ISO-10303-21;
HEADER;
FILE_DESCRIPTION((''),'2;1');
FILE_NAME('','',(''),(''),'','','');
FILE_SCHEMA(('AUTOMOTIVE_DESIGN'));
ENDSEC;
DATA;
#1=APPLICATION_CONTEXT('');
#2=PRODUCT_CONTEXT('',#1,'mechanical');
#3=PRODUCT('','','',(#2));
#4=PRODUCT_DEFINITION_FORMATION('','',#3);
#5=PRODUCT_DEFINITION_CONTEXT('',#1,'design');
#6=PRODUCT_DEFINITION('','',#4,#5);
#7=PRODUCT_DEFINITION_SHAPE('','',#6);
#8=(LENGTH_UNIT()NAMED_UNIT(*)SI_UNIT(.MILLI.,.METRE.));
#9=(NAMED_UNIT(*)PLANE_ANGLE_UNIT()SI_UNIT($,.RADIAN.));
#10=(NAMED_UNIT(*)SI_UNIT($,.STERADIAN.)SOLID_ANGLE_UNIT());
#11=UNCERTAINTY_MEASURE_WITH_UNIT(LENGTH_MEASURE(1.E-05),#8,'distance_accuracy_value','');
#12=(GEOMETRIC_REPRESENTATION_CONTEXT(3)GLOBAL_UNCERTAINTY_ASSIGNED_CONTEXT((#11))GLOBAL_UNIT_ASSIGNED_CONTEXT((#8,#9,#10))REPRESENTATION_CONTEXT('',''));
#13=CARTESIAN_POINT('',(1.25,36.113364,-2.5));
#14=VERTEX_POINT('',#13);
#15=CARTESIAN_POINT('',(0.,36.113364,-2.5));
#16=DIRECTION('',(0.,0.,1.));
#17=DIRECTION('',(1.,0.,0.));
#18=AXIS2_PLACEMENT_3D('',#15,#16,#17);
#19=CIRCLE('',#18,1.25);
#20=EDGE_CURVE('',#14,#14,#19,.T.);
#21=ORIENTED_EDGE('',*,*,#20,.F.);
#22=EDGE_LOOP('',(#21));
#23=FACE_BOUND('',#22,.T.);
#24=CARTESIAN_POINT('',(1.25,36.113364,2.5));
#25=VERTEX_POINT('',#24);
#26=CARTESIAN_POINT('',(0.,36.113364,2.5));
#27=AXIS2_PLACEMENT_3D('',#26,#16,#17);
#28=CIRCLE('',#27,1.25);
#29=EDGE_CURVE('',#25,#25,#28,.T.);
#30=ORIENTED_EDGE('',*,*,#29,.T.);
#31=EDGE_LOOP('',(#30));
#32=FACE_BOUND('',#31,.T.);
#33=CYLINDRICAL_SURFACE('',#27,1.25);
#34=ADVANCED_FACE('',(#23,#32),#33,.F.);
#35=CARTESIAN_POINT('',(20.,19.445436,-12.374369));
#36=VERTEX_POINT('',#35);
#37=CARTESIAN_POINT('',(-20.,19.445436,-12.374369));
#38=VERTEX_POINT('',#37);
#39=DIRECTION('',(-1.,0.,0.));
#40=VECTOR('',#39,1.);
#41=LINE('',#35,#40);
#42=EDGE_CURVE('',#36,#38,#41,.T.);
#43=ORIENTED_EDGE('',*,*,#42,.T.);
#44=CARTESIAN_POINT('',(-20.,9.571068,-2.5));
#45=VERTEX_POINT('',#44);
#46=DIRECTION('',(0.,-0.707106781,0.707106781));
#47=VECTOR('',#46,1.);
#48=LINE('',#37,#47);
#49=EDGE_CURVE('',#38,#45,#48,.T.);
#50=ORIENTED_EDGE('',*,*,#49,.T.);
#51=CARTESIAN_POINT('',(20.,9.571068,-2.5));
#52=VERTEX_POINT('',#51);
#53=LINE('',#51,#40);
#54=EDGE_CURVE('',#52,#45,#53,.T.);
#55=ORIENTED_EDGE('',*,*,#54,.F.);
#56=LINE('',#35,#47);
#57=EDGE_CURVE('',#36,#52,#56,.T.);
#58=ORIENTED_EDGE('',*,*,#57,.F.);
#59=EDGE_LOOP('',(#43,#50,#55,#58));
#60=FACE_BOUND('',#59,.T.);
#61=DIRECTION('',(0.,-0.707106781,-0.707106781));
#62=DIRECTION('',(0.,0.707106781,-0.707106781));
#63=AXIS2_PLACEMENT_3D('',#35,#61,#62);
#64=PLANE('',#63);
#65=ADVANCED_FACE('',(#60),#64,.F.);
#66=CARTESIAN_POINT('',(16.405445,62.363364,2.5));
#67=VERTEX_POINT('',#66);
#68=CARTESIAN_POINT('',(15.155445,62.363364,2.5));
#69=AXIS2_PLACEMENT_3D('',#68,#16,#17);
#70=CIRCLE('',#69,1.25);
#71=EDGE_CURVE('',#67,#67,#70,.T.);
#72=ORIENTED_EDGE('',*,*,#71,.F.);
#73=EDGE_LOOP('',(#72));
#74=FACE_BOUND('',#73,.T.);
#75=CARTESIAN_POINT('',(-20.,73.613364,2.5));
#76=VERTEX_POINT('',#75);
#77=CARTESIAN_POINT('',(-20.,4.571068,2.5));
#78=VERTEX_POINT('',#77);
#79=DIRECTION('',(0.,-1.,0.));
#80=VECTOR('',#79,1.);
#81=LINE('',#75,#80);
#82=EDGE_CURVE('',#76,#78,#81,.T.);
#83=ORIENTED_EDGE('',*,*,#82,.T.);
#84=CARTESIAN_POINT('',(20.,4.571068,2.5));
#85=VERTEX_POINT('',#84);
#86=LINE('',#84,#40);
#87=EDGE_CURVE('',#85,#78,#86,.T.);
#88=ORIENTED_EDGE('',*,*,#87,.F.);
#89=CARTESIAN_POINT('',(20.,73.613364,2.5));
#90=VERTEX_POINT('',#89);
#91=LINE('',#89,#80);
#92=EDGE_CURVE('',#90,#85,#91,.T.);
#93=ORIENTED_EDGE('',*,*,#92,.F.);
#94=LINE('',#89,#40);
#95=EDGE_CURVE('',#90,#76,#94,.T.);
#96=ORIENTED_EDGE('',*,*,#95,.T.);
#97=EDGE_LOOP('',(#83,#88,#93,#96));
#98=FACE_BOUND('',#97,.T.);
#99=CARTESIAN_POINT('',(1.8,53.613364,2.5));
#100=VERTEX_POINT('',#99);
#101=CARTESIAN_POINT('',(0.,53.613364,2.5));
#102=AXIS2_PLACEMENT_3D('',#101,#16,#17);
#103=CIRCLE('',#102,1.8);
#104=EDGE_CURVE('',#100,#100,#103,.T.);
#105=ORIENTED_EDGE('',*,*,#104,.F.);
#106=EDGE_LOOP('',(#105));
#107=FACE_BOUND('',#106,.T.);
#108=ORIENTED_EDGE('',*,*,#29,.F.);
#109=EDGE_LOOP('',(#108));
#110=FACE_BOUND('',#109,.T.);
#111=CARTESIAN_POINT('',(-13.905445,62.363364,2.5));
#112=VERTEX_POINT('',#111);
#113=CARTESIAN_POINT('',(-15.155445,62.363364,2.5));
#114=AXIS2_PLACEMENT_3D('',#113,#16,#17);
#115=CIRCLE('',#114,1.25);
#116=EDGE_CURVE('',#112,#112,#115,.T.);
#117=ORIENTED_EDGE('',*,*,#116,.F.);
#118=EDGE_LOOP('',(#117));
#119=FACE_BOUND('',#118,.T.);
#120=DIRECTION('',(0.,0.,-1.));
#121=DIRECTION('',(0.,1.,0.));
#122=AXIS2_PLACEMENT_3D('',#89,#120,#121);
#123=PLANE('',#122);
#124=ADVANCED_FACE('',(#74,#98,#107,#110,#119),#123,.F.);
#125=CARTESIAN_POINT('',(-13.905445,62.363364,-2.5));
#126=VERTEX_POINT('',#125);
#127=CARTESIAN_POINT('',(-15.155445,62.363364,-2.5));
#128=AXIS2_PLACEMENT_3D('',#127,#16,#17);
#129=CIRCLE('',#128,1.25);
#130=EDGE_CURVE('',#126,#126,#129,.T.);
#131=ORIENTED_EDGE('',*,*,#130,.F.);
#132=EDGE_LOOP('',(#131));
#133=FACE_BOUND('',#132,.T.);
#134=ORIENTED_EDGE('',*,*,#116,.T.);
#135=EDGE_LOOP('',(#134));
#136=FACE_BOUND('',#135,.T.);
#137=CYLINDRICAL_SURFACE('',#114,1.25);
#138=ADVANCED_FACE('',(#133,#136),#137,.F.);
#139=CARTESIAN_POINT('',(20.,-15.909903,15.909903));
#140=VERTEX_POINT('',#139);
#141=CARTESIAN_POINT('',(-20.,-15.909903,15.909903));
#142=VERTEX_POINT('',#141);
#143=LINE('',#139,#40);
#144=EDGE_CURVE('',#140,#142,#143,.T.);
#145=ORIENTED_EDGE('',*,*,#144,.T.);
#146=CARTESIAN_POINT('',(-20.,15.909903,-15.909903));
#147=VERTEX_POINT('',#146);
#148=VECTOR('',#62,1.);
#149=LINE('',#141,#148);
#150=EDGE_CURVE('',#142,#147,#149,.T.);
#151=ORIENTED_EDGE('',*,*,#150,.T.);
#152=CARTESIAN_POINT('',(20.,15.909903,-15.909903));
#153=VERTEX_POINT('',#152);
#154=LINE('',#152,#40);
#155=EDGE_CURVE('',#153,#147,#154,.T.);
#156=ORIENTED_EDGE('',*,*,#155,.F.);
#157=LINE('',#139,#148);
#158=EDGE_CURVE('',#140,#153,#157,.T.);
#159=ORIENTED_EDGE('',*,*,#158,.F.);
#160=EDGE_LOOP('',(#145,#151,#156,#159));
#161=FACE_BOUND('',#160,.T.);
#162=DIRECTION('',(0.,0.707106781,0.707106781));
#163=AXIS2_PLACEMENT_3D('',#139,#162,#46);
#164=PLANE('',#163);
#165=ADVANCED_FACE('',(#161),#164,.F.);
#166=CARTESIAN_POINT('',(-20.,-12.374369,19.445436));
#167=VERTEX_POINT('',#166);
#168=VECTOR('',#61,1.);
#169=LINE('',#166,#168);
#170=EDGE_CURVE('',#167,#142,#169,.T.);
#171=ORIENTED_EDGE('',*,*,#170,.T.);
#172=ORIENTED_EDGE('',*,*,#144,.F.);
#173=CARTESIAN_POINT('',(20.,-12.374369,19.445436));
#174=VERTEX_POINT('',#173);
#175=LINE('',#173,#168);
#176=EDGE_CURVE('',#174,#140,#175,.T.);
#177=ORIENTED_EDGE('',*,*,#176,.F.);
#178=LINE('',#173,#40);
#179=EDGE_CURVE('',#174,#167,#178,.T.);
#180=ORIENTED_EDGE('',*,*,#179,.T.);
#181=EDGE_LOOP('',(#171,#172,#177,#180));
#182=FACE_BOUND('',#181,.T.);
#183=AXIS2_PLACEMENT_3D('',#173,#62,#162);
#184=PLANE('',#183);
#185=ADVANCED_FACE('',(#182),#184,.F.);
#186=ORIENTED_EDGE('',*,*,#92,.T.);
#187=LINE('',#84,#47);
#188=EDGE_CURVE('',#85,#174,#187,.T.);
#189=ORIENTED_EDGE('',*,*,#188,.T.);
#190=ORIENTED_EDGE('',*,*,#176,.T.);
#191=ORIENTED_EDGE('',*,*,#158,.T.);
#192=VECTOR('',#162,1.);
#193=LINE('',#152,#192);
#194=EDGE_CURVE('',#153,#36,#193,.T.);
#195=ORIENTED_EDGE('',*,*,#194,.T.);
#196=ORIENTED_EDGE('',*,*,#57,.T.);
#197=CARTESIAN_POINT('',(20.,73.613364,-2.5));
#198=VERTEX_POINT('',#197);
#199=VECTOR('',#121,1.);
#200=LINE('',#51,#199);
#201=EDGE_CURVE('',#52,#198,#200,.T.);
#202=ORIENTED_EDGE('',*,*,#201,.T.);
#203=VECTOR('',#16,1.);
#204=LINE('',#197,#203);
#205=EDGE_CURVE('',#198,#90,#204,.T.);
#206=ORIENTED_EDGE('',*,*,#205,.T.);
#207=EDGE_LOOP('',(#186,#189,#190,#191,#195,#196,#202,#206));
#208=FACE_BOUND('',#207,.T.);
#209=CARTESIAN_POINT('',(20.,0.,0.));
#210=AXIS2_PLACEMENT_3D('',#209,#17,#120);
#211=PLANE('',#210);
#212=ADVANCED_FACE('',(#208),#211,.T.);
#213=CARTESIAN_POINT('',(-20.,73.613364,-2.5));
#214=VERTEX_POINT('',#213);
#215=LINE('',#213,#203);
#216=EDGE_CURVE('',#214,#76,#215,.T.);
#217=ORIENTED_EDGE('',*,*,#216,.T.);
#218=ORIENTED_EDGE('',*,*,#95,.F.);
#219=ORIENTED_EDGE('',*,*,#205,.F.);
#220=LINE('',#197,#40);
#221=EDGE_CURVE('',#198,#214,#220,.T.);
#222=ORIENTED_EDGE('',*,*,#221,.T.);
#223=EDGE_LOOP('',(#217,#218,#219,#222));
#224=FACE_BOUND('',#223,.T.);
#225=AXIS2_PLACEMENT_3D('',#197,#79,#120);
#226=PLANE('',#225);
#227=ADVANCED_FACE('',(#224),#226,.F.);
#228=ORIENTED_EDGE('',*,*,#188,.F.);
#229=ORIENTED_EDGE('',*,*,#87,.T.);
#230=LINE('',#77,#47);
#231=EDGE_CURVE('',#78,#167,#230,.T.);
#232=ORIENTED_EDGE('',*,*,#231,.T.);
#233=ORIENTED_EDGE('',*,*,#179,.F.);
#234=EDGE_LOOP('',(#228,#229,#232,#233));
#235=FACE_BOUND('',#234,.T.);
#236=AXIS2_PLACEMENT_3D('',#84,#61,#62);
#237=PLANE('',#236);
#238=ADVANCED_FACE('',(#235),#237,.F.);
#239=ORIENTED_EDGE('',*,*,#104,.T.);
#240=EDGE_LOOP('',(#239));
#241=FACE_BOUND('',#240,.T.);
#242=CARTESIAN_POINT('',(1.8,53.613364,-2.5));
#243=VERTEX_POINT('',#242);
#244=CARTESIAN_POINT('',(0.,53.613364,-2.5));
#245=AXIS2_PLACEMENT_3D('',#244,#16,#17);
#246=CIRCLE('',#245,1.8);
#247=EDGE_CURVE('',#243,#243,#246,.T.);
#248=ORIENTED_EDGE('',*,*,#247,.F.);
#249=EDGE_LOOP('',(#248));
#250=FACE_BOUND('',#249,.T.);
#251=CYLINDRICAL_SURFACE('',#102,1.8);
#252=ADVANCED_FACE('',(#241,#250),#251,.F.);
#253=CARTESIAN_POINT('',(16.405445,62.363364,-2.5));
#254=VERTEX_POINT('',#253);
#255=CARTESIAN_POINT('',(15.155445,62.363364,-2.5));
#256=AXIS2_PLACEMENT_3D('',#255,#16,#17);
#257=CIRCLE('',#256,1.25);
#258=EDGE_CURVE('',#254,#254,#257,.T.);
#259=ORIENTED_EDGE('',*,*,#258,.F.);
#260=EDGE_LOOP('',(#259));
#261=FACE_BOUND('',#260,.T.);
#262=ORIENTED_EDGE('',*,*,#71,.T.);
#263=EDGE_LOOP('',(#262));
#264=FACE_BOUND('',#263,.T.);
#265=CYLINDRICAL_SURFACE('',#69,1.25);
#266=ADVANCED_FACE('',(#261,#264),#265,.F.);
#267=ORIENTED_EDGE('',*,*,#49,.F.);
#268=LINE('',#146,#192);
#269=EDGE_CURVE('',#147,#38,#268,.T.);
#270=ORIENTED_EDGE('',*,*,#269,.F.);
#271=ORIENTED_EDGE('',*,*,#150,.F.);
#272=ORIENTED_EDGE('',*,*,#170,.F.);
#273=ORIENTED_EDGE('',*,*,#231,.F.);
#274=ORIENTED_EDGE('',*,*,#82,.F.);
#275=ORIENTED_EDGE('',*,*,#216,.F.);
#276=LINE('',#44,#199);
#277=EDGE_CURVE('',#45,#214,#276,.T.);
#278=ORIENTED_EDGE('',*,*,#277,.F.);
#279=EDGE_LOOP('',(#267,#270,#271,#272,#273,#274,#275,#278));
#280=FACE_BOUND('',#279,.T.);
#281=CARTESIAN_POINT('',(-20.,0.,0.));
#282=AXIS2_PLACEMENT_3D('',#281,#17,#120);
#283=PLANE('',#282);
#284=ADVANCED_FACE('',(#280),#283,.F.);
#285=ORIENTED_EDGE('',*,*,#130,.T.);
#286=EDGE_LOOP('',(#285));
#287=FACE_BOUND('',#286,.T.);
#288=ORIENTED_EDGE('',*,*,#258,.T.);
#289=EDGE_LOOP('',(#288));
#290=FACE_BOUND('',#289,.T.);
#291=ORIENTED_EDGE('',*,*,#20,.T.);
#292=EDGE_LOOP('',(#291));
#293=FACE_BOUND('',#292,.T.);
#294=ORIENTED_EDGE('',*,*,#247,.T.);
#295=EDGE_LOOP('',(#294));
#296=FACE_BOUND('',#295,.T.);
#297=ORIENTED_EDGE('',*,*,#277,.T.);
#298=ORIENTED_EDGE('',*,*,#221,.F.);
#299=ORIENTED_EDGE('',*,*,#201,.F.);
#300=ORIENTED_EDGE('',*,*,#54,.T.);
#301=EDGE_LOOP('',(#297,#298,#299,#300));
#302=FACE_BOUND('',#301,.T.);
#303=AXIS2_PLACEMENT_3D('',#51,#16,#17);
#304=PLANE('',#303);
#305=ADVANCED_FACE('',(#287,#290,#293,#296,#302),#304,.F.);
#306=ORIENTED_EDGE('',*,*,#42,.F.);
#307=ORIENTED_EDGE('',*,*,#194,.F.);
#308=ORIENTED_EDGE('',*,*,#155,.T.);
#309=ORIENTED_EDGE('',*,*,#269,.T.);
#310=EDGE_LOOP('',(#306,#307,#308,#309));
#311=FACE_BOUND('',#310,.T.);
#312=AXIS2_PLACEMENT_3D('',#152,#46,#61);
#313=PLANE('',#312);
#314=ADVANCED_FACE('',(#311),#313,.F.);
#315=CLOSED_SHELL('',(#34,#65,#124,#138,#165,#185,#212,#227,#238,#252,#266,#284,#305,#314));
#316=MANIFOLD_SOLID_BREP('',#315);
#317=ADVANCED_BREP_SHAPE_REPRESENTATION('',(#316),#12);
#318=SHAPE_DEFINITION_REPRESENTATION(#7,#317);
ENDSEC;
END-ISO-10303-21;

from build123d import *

# Parameters (mm, degrees)
BOSS_EXTRUDE1_DEPTH   = 20
M3X0_5_TAPPED_HOLE1_D = 2.5
M3_CLEARANCE_HOLE1_D  = 3.6


with BuildPart() as part:
    # Sketch1 → Boss-Extrude1 (new, symmetric)
    with BuildSketch(Plane(origin=(0, 0, 0), x_dir=(0, 0, -1), z_dir=(1, 0, 0))):
        Polygon((-15.909902577, -15.909902577), (15.909902577, 15.909902577), (12.374368671, 19.445436483), (2.5, 9.571067812), (2.5, 73.613363655), (-2.5, 73.613363655), (-2.5, 4.571067812), (-19.445436483, -12.374368671), align=None)
    extrude(amount=BOSS_EXTRUDE1_DEPTH, both=True)

    # M3x0.5 Tapped Hole1 (through all)
    with Locations(Plane.XY.offset(2.5)):
        with Locations((-15.155444566, 62.363363655), (15.155444566, 62.363363655), (0, 36.113363655)):
            Hole(M3X0_5_TAPPED_HOLE1_D / 2)

    # M3 Clearance Hole1 (through all)
    with Locations(Plane.XY.offset(2.5)):
        with Locations((0, 53.613363655)):
            Hole(M3_CLEARANCE_HOLE1_D / 2)


solid = part.part
